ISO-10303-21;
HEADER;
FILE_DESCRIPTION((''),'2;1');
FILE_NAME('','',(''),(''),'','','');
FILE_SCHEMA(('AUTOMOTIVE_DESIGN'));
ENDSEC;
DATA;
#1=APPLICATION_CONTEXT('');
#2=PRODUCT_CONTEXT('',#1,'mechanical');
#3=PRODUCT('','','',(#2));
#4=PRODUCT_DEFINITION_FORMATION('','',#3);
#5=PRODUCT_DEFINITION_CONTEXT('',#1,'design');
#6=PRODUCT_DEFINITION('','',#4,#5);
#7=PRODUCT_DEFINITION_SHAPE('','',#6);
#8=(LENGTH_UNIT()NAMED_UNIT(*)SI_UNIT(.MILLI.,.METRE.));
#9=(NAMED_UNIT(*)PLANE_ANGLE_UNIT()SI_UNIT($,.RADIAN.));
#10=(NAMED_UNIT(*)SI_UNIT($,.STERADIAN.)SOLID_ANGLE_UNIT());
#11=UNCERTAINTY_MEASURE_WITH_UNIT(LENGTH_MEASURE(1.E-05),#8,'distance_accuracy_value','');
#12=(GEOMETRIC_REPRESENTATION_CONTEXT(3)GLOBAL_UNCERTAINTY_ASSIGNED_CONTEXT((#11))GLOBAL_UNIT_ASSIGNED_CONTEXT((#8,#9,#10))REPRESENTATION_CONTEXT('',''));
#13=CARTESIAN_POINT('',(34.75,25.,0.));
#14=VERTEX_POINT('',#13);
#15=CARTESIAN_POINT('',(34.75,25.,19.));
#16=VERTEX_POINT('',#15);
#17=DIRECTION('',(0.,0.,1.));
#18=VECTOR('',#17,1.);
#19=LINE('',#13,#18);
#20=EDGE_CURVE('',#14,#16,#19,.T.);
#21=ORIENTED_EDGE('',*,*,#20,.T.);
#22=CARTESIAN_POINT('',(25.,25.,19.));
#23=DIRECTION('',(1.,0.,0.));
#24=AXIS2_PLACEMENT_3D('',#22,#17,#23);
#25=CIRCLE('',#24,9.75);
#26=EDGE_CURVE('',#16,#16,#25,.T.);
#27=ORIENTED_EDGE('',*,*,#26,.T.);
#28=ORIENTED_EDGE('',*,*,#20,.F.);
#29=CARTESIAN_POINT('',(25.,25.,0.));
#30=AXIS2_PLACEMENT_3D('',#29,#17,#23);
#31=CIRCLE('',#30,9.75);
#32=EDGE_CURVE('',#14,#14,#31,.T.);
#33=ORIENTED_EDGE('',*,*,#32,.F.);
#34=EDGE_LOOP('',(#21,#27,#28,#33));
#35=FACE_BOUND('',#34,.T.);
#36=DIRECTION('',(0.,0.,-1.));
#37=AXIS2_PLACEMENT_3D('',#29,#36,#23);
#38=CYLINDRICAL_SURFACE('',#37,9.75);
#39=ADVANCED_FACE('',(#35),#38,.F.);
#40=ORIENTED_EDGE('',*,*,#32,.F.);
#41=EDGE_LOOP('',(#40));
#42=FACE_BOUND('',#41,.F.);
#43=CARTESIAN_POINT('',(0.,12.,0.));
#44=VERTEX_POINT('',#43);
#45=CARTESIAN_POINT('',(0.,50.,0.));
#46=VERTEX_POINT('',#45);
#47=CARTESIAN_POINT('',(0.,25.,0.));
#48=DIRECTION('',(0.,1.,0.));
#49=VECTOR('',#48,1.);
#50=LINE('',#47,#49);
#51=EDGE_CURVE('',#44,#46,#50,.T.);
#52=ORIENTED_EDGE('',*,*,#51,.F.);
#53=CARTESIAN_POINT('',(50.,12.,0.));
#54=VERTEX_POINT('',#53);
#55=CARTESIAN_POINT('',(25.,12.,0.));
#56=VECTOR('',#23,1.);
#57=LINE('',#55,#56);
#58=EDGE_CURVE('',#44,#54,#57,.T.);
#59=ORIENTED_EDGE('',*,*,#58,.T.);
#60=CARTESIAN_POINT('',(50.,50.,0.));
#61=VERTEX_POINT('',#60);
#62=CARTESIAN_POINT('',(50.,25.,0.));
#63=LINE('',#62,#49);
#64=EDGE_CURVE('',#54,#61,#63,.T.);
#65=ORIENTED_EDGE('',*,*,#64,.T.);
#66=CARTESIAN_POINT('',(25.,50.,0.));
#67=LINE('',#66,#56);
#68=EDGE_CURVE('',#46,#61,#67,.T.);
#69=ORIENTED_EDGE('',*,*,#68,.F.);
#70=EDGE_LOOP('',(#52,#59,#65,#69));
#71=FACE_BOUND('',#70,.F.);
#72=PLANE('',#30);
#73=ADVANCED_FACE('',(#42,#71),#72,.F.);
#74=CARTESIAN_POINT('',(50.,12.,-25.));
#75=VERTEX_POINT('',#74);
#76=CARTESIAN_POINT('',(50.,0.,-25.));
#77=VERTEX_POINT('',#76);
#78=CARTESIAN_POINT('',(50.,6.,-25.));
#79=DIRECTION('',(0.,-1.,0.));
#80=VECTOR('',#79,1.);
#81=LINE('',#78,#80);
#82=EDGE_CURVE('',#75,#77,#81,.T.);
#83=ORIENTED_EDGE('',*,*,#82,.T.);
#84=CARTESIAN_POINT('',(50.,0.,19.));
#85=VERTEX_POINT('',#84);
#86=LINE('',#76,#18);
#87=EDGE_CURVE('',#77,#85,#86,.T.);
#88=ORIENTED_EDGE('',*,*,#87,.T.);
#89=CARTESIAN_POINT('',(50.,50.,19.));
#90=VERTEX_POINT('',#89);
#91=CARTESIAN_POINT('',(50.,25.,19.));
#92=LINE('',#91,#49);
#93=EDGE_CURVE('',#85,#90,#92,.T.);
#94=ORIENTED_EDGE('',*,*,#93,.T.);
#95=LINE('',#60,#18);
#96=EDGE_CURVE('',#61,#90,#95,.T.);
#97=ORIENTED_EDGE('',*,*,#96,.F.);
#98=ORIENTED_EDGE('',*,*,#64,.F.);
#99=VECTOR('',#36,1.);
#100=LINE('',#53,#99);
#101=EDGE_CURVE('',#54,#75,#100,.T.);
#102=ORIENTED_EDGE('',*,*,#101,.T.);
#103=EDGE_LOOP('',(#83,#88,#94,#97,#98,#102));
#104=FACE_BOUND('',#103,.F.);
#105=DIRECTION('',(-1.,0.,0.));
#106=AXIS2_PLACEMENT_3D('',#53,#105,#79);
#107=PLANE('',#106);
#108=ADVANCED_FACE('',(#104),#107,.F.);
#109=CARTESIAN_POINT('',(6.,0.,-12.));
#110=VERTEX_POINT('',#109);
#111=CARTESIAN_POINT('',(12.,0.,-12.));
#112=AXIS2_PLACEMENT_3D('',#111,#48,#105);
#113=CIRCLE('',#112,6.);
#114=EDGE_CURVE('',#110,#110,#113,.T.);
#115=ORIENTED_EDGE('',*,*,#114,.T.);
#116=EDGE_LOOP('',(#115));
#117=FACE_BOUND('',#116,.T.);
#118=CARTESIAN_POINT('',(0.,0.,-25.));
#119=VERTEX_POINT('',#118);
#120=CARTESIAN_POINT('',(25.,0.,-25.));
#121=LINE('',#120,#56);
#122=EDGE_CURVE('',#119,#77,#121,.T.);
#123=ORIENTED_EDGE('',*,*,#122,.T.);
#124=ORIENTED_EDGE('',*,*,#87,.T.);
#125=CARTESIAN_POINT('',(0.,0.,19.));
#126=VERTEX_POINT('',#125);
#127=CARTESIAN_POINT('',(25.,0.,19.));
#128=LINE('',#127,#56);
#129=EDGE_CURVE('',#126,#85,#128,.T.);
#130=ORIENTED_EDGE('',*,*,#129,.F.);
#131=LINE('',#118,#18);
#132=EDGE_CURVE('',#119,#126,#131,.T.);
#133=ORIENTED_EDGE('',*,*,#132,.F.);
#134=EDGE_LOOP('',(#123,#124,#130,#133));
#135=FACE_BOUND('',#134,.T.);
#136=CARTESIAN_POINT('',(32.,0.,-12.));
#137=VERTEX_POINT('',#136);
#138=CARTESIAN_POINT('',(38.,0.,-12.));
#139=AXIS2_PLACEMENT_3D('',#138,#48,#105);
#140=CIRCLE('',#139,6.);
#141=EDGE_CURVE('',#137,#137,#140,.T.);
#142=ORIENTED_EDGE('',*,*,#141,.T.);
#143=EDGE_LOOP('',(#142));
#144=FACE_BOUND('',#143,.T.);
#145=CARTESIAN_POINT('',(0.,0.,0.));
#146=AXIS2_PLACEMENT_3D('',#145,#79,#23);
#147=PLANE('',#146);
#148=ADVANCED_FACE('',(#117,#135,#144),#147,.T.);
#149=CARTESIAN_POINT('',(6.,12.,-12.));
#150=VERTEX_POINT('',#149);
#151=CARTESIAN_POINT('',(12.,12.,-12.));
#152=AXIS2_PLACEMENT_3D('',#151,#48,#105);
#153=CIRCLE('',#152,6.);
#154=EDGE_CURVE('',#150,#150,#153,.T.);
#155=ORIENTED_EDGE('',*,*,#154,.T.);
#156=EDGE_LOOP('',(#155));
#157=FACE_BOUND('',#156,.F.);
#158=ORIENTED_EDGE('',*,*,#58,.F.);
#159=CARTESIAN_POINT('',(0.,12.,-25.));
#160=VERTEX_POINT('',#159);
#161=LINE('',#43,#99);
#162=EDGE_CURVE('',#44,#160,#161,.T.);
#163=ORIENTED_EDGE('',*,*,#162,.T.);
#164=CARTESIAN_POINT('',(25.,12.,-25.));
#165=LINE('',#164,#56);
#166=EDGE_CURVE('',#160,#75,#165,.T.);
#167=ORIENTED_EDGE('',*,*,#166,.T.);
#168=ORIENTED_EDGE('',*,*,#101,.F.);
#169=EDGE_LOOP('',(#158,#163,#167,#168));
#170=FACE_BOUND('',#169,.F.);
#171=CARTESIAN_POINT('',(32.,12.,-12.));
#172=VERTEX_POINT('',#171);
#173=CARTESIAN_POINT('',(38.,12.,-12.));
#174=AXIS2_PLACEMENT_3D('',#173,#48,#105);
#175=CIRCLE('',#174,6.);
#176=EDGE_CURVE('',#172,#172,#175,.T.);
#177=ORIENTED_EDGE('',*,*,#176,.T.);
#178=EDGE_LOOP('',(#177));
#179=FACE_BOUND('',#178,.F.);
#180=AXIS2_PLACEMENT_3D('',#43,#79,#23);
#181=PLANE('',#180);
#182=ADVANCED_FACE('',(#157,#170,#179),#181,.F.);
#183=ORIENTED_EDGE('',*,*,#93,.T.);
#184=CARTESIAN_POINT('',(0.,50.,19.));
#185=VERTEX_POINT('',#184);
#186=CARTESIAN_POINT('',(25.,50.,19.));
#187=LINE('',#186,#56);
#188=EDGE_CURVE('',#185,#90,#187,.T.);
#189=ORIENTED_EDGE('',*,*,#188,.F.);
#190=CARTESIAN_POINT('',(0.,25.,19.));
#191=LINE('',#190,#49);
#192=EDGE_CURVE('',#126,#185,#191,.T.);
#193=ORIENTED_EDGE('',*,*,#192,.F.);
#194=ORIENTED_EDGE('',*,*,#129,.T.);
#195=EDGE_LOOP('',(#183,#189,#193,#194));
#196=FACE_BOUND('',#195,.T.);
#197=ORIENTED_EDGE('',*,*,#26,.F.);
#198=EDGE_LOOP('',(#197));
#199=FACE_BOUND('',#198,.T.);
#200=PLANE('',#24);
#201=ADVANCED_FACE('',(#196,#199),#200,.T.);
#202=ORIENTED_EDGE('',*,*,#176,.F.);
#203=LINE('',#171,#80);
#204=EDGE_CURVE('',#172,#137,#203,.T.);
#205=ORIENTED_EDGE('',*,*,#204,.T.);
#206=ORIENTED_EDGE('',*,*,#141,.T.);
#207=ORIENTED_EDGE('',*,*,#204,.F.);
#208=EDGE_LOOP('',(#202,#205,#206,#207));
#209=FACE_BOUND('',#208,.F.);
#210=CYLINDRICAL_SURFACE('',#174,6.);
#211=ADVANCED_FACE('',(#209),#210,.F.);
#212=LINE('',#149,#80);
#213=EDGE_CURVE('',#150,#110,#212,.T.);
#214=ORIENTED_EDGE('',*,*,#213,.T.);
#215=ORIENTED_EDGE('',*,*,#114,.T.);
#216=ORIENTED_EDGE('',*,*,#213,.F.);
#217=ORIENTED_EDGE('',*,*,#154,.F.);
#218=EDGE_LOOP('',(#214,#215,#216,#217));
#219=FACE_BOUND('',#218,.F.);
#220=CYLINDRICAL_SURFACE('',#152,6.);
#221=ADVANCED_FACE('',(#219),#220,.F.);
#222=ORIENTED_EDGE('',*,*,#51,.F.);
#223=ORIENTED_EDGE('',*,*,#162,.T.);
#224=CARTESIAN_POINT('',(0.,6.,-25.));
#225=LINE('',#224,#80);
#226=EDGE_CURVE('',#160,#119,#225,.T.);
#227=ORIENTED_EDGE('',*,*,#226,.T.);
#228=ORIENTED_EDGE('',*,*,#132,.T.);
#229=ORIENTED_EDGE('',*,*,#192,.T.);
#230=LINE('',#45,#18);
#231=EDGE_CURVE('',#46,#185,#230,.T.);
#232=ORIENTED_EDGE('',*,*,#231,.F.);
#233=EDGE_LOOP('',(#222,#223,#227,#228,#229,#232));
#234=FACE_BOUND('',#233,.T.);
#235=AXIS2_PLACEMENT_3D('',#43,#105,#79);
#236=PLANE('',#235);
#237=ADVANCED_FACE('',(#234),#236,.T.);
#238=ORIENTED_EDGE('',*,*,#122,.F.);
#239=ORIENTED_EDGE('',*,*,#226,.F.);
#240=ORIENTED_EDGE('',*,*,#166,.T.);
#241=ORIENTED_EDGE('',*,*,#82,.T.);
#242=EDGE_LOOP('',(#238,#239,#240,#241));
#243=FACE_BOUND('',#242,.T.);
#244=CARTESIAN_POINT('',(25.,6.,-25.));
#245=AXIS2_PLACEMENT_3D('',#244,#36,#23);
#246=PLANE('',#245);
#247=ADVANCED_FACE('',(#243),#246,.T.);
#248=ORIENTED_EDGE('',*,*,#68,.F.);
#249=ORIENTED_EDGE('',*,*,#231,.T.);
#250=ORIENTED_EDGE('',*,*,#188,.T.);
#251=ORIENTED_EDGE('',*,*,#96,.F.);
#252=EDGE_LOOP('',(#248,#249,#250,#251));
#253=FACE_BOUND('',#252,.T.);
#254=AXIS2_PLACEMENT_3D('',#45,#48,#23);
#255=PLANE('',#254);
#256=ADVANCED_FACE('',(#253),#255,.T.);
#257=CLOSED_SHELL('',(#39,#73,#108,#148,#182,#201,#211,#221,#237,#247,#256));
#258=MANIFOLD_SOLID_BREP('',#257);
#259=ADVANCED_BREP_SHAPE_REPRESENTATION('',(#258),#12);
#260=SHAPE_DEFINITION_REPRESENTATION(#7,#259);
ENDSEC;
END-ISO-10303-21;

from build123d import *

# Parameters (mm, degrees)
F0_W     = 50
F0_H     = 50
F0_R     = 9.75
F1_DEPTH = 19
F2_W     = 50
F2_H     = 12
F3_DEPTH = 25
F4_R     = 6
F5_DEPTH = 12.001


with BuildPart() as f1:
    # F0 (on Top) → F1 (new body)
    with BuildSketch(Plane.XY):
        with Locations((25, 25)):
            Rectangle(F0_W, F0_H)
        with Locations((25, 25)):
            Circle(F0_R, mode=Mode.SUBTRACT)
    extrude(amount=F1_DEPTH)

    # F2 (on face) → F3 (join)
    with BuildSketch(Plane(origin=(0, 0, 0), x_dir=(1, 0, 0), z_dir=(0, 0, -1))):
        with Locations((25, -6)):
            Rectangle(F2_W, F2_H)
    extrude(amount=F3_DEPTH)

    # F4 (on face) → F5 (cut, through all)
    with BuildSketch(Plane(origin=(0, 12, 0), x_dir=(-1, 0, 0), z_dir=(0, 1, 0))):
        with Locations((-38, -12)):
            Circle(F4_R)
        with Locations((-12, -12)):
            Circle(F4_R)
    extrude(amount=-F5_DEPTH, mode=Mode.SUBTRACT)


solid = f1.part
